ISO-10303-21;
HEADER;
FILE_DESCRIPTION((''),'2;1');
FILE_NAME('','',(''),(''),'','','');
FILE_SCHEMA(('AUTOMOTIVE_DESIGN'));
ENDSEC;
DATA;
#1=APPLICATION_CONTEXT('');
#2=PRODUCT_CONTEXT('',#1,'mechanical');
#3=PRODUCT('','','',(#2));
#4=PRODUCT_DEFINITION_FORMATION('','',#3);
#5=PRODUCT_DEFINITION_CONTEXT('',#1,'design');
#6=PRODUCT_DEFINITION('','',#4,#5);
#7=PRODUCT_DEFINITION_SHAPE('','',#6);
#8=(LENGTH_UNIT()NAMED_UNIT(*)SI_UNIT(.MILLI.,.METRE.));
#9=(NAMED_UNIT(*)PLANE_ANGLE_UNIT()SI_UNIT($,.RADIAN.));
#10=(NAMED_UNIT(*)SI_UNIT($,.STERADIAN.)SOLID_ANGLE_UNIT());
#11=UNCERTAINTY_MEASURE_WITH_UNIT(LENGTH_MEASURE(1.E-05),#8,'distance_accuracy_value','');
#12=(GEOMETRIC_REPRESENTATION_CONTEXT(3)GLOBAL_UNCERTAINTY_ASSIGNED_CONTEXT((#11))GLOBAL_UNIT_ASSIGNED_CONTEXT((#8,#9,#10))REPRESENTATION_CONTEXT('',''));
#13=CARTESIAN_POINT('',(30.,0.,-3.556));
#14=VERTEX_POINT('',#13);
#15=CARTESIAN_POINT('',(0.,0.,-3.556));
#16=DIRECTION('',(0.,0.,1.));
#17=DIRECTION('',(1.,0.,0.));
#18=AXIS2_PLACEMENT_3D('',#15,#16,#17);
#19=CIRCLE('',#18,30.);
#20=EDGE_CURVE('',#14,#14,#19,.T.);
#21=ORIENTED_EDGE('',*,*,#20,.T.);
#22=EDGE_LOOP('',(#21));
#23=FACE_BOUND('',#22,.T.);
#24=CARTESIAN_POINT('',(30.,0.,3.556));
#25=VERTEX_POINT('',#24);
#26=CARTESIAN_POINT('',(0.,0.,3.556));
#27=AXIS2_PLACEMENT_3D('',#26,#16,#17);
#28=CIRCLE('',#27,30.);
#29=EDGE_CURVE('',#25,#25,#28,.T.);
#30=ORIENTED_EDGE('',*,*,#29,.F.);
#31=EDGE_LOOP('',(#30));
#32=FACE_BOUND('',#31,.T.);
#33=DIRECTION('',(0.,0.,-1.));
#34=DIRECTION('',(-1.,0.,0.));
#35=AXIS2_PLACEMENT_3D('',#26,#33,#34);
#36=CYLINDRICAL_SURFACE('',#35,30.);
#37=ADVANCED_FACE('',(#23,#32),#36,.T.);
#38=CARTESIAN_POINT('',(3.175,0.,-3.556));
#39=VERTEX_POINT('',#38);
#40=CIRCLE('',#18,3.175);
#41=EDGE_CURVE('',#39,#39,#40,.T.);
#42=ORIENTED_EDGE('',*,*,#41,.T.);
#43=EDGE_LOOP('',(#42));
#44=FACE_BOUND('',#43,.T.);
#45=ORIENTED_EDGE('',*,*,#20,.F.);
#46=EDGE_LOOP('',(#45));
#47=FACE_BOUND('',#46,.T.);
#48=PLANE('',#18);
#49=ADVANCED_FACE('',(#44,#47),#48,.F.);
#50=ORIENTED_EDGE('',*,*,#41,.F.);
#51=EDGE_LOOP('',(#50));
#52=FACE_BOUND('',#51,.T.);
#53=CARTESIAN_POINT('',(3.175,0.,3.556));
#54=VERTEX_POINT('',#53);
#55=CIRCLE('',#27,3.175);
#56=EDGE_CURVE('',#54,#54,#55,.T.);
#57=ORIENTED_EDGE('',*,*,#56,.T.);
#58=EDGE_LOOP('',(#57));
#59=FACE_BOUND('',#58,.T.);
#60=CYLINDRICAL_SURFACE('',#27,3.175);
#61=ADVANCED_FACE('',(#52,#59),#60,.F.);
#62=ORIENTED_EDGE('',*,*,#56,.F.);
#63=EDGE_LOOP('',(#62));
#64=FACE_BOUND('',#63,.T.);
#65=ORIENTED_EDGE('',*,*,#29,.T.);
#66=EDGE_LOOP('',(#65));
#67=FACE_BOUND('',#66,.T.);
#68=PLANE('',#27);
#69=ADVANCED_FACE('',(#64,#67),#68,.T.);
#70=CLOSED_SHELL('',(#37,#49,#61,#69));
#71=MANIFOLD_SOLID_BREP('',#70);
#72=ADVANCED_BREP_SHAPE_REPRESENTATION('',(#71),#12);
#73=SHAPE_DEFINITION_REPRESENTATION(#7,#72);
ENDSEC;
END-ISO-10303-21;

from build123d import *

# Parameters (mm, degrees)
SKETCH1_R                   = 30
BOSS_EXTRUDE1_DEPTH         = 3.556
F_1_4_0_25_DIAMETER_HOLE1_D = 6.35


with BuildPart() as part:
    # Sketch1 → Boss-Extrude1 (new, symmetric)
    with BuildSketch(Plane.XY):
        Circle(SKETCH1_R)
    extrude(amount=BOSS_EXTRUDE1_DEPTH, both=True)

    # 1/4 (0.25) Diameter Hole1 (through all)
    with Locations(Plane.XY.offset(3.556)):
        with Locations((0, 0)):
            Hole(F_1_4_0_25_DIAMETER_HOLE1_D / 2)


solid = part.part
